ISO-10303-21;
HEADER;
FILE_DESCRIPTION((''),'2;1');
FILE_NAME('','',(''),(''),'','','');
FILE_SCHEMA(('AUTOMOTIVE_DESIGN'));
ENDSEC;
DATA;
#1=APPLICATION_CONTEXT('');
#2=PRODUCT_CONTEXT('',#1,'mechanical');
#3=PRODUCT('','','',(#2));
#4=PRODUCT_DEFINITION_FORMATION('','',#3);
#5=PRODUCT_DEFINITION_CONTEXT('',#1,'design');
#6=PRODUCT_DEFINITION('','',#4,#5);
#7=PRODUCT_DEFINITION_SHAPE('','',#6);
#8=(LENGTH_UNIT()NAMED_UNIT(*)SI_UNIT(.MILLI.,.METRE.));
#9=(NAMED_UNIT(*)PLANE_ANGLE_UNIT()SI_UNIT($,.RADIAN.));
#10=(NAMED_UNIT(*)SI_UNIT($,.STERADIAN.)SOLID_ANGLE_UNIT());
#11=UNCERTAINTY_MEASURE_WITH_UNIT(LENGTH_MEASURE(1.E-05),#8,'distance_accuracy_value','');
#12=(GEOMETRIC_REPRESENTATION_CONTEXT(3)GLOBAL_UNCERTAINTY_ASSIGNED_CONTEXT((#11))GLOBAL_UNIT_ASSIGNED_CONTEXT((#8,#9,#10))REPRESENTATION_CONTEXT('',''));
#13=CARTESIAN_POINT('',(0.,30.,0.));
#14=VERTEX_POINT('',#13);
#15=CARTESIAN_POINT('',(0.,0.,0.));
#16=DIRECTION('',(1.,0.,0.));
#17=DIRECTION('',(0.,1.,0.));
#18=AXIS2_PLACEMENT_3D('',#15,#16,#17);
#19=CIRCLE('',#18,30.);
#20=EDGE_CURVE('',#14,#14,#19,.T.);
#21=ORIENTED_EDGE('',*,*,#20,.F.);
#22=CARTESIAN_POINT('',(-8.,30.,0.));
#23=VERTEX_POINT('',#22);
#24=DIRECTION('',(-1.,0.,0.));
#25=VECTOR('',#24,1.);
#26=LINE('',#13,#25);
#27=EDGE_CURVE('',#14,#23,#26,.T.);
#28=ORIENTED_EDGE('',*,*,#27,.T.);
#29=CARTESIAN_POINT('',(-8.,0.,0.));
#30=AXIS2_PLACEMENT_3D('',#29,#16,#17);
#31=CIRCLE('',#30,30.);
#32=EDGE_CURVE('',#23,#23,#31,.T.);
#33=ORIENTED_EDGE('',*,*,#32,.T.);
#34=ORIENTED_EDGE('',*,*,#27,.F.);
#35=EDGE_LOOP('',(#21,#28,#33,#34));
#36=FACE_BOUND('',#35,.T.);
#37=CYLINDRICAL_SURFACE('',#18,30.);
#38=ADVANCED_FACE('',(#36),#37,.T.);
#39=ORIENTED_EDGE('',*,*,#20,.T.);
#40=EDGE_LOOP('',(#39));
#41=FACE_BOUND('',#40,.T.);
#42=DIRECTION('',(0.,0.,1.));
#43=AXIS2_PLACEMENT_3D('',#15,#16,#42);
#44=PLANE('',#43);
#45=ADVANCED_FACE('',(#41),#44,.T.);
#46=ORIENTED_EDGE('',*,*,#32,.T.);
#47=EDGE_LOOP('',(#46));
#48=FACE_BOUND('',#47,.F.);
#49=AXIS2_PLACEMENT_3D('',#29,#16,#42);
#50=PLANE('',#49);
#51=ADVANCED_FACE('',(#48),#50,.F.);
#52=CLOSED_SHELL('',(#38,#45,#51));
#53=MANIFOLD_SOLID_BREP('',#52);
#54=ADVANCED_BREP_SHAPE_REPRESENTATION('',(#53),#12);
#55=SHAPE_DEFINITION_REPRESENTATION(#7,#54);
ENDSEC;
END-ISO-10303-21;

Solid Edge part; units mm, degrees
sketch "Sketch1" plane through (0, 0, 0) normal (1, 0, 0) x (0, 1, 0)
  circle A0 centre (0, 0) radius 30
  dimension "D1" = 60
extrude "Protrusion1" add sketch "Sketch1" against normal blind 8
properties material "Steel"
